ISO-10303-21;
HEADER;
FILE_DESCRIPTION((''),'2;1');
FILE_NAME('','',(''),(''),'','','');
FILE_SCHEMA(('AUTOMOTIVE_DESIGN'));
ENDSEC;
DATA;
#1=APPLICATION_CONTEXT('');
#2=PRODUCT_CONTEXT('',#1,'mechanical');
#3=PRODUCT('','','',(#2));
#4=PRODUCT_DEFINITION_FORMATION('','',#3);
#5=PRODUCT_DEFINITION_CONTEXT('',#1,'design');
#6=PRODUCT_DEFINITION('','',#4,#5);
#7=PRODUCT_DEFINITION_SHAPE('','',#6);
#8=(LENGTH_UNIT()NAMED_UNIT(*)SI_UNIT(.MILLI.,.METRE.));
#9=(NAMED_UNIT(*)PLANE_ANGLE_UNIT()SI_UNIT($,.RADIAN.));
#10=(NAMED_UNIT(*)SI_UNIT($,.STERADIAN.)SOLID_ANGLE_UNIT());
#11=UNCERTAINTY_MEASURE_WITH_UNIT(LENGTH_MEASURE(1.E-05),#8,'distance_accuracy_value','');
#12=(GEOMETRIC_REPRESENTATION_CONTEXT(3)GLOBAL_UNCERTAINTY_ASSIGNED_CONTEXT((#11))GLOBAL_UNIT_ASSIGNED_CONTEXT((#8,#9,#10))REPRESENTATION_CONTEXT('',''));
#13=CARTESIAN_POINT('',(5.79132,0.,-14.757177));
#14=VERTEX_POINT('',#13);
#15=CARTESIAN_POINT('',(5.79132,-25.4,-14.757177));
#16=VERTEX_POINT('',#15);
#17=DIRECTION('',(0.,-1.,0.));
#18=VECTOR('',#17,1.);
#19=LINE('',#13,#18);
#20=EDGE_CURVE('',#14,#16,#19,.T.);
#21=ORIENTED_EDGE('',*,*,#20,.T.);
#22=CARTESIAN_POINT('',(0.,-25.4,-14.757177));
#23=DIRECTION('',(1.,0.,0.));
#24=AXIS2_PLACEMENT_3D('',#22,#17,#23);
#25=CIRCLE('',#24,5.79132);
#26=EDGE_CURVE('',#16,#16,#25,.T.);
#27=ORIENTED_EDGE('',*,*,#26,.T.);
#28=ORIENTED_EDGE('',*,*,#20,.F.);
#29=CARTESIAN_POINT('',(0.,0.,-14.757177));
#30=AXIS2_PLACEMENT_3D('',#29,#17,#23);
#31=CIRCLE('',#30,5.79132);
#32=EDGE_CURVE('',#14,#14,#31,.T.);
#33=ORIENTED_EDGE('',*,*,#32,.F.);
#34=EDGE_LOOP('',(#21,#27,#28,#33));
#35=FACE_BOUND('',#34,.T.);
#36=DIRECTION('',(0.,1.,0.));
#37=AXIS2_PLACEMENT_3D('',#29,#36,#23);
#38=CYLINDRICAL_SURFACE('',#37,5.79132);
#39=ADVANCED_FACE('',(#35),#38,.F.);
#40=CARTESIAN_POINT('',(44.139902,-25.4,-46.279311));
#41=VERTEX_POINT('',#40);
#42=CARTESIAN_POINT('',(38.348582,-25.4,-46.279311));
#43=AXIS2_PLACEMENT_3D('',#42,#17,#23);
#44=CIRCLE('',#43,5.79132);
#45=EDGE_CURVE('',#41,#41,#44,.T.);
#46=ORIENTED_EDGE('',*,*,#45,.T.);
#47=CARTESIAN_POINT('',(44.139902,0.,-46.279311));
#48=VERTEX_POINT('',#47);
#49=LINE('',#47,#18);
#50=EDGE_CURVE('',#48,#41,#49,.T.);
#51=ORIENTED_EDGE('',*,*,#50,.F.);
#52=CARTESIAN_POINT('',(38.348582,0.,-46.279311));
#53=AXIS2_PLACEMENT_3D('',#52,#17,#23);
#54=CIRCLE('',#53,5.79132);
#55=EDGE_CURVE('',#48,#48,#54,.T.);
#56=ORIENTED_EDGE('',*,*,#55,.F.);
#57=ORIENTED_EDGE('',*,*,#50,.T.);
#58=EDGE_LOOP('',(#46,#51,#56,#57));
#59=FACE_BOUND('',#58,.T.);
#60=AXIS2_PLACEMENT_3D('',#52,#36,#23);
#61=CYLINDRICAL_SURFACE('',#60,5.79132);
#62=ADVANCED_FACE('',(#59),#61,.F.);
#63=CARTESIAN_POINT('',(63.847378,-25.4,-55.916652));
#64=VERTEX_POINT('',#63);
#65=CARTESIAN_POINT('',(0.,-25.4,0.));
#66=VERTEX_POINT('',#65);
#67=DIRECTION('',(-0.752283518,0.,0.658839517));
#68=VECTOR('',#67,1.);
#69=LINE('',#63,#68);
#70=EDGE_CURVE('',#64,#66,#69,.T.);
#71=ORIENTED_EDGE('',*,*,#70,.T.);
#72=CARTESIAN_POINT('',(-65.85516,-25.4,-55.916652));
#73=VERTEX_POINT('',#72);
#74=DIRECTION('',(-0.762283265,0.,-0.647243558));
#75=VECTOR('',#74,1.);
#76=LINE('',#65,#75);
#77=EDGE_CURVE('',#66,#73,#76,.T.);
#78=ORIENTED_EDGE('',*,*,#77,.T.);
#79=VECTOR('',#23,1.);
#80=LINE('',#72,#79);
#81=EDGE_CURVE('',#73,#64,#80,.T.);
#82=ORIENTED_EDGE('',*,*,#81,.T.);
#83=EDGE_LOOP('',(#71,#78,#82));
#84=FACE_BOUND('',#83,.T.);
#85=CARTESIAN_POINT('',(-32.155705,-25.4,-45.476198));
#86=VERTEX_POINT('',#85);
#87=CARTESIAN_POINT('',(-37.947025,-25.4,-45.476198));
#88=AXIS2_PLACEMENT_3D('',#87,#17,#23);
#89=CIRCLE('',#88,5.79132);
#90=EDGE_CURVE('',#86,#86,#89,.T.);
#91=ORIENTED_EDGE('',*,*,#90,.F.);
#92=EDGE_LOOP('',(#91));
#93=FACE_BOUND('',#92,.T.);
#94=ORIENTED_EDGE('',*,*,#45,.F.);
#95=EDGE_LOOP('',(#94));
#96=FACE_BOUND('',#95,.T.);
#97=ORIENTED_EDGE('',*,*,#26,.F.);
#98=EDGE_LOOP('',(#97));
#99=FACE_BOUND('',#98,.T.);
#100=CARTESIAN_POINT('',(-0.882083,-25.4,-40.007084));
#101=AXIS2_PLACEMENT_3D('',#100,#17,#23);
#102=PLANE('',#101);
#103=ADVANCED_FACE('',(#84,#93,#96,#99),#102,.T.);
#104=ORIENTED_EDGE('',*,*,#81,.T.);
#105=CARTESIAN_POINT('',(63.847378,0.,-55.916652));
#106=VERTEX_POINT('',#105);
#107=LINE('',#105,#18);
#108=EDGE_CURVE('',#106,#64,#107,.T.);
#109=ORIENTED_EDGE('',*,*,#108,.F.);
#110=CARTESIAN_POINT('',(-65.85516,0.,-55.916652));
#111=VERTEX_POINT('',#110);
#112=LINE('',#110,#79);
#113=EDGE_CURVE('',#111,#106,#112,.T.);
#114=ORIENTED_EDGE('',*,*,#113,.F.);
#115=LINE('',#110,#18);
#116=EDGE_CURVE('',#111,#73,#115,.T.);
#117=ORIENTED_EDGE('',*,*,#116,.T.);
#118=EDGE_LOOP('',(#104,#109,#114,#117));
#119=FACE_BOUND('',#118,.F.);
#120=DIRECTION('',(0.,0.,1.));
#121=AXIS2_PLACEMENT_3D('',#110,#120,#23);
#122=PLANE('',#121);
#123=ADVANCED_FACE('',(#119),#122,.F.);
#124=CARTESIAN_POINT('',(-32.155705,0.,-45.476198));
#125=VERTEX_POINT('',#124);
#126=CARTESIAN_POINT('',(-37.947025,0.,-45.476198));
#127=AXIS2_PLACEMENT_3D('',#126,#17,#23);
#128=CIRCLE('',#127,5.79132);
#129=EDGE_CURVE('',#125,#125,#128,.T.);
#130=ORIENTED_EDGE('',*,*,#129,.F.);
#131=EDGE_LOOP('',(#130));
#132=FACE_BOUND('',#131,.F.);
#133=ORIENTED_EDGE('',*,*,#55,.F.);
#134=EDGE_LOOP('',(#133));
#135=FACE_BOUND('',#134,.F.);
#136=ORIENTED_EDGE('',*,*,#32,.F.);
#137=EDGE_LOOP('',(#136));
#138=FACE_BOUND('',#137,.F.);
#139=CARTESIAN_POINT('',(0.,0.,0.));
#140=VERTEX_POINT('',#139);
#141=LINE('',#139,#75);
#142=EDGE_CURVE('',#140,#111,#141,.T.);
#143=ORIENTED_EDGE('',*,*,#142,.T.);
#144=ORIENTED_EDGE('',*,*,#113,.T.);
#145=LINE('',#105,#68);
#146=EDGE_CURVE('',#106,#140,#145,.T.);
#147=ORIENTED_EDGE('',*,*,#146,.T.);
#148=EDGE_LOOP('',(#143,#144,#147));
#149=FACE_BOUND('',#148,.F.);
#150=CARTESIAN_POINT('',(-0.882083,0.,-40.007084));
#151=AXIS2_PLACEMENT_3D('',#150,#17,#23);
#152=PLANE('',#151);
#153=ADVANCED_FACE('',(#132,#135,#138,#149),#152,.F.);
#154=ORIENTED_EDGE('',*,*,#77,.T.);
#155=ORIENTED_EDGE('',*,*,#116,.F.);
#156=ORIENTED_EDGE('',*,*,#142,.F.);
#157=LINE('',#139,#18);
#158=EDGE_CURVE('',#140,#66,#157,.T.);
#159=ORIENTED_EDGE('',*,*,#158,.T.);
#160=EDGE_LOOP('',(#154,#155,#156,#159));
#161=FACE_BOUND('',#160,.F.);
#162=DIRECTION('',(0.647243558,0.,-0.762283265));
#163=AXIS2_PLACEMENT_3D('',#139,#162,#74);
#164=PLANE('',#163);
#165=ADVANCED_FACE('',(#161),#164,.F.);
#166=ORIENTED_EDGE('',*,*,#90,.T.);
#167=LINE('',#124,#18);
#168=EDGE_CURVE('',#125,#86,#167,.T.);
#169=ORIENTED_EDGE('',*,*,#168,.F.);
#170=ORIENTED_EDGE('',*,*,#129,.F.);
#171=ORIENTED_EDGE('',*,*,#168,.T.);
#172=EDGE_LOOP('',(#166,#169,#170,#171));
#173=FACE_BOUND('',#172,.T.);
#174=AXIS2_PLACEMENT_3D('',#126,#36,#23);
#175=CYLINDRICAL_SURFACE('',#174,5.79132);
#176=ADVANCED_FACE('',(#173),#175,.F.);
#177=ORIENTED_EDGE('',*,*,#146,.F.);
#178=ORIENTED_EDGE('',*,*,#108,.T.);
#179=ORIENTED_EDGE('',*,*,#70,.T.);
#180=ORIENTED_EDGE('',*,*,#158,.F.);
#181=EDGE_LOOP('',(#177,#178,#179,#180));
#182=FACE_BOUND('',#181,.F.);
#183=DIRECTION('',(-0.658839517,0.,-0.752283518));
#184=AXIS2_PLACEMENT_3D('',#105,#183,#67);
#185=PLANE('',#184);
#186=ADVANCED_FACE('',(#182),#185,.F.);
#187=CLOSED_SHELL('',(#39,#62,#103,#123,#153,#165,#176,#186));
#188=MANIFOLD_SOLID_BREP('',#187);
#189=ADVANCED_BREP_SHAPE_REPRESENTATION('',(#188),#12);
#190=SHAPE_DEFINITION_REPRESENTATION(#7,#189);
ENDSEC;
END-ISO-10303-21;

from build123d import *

# Parameters (mm, degrees)
F0_R     = 5.79132
F1_DEPTH = 25.4


with BuildPart() as f1:
    # F0 (on Front) → F1 (new body)
    with BuildSketch(Plane.XZ):
        Polygon((63.847378, -55.916652), (0, 0), (-65.85516, -55.916652), align=None)
        with Locations((-37.947025, -45.476198)):
            Circle(F0_R, mode=Mode.SUBTRACT)
        with Locations((38.348582, -46.279311)):
            Circle(F0_R, mode=Mode.SUBTRACT)
        with Locations((0, -14.757177)):
            Circle(F0_R, mode=Mode.SUBTRACT)
    extrude(amount=F1_DEPTH)


solid = f1.part
